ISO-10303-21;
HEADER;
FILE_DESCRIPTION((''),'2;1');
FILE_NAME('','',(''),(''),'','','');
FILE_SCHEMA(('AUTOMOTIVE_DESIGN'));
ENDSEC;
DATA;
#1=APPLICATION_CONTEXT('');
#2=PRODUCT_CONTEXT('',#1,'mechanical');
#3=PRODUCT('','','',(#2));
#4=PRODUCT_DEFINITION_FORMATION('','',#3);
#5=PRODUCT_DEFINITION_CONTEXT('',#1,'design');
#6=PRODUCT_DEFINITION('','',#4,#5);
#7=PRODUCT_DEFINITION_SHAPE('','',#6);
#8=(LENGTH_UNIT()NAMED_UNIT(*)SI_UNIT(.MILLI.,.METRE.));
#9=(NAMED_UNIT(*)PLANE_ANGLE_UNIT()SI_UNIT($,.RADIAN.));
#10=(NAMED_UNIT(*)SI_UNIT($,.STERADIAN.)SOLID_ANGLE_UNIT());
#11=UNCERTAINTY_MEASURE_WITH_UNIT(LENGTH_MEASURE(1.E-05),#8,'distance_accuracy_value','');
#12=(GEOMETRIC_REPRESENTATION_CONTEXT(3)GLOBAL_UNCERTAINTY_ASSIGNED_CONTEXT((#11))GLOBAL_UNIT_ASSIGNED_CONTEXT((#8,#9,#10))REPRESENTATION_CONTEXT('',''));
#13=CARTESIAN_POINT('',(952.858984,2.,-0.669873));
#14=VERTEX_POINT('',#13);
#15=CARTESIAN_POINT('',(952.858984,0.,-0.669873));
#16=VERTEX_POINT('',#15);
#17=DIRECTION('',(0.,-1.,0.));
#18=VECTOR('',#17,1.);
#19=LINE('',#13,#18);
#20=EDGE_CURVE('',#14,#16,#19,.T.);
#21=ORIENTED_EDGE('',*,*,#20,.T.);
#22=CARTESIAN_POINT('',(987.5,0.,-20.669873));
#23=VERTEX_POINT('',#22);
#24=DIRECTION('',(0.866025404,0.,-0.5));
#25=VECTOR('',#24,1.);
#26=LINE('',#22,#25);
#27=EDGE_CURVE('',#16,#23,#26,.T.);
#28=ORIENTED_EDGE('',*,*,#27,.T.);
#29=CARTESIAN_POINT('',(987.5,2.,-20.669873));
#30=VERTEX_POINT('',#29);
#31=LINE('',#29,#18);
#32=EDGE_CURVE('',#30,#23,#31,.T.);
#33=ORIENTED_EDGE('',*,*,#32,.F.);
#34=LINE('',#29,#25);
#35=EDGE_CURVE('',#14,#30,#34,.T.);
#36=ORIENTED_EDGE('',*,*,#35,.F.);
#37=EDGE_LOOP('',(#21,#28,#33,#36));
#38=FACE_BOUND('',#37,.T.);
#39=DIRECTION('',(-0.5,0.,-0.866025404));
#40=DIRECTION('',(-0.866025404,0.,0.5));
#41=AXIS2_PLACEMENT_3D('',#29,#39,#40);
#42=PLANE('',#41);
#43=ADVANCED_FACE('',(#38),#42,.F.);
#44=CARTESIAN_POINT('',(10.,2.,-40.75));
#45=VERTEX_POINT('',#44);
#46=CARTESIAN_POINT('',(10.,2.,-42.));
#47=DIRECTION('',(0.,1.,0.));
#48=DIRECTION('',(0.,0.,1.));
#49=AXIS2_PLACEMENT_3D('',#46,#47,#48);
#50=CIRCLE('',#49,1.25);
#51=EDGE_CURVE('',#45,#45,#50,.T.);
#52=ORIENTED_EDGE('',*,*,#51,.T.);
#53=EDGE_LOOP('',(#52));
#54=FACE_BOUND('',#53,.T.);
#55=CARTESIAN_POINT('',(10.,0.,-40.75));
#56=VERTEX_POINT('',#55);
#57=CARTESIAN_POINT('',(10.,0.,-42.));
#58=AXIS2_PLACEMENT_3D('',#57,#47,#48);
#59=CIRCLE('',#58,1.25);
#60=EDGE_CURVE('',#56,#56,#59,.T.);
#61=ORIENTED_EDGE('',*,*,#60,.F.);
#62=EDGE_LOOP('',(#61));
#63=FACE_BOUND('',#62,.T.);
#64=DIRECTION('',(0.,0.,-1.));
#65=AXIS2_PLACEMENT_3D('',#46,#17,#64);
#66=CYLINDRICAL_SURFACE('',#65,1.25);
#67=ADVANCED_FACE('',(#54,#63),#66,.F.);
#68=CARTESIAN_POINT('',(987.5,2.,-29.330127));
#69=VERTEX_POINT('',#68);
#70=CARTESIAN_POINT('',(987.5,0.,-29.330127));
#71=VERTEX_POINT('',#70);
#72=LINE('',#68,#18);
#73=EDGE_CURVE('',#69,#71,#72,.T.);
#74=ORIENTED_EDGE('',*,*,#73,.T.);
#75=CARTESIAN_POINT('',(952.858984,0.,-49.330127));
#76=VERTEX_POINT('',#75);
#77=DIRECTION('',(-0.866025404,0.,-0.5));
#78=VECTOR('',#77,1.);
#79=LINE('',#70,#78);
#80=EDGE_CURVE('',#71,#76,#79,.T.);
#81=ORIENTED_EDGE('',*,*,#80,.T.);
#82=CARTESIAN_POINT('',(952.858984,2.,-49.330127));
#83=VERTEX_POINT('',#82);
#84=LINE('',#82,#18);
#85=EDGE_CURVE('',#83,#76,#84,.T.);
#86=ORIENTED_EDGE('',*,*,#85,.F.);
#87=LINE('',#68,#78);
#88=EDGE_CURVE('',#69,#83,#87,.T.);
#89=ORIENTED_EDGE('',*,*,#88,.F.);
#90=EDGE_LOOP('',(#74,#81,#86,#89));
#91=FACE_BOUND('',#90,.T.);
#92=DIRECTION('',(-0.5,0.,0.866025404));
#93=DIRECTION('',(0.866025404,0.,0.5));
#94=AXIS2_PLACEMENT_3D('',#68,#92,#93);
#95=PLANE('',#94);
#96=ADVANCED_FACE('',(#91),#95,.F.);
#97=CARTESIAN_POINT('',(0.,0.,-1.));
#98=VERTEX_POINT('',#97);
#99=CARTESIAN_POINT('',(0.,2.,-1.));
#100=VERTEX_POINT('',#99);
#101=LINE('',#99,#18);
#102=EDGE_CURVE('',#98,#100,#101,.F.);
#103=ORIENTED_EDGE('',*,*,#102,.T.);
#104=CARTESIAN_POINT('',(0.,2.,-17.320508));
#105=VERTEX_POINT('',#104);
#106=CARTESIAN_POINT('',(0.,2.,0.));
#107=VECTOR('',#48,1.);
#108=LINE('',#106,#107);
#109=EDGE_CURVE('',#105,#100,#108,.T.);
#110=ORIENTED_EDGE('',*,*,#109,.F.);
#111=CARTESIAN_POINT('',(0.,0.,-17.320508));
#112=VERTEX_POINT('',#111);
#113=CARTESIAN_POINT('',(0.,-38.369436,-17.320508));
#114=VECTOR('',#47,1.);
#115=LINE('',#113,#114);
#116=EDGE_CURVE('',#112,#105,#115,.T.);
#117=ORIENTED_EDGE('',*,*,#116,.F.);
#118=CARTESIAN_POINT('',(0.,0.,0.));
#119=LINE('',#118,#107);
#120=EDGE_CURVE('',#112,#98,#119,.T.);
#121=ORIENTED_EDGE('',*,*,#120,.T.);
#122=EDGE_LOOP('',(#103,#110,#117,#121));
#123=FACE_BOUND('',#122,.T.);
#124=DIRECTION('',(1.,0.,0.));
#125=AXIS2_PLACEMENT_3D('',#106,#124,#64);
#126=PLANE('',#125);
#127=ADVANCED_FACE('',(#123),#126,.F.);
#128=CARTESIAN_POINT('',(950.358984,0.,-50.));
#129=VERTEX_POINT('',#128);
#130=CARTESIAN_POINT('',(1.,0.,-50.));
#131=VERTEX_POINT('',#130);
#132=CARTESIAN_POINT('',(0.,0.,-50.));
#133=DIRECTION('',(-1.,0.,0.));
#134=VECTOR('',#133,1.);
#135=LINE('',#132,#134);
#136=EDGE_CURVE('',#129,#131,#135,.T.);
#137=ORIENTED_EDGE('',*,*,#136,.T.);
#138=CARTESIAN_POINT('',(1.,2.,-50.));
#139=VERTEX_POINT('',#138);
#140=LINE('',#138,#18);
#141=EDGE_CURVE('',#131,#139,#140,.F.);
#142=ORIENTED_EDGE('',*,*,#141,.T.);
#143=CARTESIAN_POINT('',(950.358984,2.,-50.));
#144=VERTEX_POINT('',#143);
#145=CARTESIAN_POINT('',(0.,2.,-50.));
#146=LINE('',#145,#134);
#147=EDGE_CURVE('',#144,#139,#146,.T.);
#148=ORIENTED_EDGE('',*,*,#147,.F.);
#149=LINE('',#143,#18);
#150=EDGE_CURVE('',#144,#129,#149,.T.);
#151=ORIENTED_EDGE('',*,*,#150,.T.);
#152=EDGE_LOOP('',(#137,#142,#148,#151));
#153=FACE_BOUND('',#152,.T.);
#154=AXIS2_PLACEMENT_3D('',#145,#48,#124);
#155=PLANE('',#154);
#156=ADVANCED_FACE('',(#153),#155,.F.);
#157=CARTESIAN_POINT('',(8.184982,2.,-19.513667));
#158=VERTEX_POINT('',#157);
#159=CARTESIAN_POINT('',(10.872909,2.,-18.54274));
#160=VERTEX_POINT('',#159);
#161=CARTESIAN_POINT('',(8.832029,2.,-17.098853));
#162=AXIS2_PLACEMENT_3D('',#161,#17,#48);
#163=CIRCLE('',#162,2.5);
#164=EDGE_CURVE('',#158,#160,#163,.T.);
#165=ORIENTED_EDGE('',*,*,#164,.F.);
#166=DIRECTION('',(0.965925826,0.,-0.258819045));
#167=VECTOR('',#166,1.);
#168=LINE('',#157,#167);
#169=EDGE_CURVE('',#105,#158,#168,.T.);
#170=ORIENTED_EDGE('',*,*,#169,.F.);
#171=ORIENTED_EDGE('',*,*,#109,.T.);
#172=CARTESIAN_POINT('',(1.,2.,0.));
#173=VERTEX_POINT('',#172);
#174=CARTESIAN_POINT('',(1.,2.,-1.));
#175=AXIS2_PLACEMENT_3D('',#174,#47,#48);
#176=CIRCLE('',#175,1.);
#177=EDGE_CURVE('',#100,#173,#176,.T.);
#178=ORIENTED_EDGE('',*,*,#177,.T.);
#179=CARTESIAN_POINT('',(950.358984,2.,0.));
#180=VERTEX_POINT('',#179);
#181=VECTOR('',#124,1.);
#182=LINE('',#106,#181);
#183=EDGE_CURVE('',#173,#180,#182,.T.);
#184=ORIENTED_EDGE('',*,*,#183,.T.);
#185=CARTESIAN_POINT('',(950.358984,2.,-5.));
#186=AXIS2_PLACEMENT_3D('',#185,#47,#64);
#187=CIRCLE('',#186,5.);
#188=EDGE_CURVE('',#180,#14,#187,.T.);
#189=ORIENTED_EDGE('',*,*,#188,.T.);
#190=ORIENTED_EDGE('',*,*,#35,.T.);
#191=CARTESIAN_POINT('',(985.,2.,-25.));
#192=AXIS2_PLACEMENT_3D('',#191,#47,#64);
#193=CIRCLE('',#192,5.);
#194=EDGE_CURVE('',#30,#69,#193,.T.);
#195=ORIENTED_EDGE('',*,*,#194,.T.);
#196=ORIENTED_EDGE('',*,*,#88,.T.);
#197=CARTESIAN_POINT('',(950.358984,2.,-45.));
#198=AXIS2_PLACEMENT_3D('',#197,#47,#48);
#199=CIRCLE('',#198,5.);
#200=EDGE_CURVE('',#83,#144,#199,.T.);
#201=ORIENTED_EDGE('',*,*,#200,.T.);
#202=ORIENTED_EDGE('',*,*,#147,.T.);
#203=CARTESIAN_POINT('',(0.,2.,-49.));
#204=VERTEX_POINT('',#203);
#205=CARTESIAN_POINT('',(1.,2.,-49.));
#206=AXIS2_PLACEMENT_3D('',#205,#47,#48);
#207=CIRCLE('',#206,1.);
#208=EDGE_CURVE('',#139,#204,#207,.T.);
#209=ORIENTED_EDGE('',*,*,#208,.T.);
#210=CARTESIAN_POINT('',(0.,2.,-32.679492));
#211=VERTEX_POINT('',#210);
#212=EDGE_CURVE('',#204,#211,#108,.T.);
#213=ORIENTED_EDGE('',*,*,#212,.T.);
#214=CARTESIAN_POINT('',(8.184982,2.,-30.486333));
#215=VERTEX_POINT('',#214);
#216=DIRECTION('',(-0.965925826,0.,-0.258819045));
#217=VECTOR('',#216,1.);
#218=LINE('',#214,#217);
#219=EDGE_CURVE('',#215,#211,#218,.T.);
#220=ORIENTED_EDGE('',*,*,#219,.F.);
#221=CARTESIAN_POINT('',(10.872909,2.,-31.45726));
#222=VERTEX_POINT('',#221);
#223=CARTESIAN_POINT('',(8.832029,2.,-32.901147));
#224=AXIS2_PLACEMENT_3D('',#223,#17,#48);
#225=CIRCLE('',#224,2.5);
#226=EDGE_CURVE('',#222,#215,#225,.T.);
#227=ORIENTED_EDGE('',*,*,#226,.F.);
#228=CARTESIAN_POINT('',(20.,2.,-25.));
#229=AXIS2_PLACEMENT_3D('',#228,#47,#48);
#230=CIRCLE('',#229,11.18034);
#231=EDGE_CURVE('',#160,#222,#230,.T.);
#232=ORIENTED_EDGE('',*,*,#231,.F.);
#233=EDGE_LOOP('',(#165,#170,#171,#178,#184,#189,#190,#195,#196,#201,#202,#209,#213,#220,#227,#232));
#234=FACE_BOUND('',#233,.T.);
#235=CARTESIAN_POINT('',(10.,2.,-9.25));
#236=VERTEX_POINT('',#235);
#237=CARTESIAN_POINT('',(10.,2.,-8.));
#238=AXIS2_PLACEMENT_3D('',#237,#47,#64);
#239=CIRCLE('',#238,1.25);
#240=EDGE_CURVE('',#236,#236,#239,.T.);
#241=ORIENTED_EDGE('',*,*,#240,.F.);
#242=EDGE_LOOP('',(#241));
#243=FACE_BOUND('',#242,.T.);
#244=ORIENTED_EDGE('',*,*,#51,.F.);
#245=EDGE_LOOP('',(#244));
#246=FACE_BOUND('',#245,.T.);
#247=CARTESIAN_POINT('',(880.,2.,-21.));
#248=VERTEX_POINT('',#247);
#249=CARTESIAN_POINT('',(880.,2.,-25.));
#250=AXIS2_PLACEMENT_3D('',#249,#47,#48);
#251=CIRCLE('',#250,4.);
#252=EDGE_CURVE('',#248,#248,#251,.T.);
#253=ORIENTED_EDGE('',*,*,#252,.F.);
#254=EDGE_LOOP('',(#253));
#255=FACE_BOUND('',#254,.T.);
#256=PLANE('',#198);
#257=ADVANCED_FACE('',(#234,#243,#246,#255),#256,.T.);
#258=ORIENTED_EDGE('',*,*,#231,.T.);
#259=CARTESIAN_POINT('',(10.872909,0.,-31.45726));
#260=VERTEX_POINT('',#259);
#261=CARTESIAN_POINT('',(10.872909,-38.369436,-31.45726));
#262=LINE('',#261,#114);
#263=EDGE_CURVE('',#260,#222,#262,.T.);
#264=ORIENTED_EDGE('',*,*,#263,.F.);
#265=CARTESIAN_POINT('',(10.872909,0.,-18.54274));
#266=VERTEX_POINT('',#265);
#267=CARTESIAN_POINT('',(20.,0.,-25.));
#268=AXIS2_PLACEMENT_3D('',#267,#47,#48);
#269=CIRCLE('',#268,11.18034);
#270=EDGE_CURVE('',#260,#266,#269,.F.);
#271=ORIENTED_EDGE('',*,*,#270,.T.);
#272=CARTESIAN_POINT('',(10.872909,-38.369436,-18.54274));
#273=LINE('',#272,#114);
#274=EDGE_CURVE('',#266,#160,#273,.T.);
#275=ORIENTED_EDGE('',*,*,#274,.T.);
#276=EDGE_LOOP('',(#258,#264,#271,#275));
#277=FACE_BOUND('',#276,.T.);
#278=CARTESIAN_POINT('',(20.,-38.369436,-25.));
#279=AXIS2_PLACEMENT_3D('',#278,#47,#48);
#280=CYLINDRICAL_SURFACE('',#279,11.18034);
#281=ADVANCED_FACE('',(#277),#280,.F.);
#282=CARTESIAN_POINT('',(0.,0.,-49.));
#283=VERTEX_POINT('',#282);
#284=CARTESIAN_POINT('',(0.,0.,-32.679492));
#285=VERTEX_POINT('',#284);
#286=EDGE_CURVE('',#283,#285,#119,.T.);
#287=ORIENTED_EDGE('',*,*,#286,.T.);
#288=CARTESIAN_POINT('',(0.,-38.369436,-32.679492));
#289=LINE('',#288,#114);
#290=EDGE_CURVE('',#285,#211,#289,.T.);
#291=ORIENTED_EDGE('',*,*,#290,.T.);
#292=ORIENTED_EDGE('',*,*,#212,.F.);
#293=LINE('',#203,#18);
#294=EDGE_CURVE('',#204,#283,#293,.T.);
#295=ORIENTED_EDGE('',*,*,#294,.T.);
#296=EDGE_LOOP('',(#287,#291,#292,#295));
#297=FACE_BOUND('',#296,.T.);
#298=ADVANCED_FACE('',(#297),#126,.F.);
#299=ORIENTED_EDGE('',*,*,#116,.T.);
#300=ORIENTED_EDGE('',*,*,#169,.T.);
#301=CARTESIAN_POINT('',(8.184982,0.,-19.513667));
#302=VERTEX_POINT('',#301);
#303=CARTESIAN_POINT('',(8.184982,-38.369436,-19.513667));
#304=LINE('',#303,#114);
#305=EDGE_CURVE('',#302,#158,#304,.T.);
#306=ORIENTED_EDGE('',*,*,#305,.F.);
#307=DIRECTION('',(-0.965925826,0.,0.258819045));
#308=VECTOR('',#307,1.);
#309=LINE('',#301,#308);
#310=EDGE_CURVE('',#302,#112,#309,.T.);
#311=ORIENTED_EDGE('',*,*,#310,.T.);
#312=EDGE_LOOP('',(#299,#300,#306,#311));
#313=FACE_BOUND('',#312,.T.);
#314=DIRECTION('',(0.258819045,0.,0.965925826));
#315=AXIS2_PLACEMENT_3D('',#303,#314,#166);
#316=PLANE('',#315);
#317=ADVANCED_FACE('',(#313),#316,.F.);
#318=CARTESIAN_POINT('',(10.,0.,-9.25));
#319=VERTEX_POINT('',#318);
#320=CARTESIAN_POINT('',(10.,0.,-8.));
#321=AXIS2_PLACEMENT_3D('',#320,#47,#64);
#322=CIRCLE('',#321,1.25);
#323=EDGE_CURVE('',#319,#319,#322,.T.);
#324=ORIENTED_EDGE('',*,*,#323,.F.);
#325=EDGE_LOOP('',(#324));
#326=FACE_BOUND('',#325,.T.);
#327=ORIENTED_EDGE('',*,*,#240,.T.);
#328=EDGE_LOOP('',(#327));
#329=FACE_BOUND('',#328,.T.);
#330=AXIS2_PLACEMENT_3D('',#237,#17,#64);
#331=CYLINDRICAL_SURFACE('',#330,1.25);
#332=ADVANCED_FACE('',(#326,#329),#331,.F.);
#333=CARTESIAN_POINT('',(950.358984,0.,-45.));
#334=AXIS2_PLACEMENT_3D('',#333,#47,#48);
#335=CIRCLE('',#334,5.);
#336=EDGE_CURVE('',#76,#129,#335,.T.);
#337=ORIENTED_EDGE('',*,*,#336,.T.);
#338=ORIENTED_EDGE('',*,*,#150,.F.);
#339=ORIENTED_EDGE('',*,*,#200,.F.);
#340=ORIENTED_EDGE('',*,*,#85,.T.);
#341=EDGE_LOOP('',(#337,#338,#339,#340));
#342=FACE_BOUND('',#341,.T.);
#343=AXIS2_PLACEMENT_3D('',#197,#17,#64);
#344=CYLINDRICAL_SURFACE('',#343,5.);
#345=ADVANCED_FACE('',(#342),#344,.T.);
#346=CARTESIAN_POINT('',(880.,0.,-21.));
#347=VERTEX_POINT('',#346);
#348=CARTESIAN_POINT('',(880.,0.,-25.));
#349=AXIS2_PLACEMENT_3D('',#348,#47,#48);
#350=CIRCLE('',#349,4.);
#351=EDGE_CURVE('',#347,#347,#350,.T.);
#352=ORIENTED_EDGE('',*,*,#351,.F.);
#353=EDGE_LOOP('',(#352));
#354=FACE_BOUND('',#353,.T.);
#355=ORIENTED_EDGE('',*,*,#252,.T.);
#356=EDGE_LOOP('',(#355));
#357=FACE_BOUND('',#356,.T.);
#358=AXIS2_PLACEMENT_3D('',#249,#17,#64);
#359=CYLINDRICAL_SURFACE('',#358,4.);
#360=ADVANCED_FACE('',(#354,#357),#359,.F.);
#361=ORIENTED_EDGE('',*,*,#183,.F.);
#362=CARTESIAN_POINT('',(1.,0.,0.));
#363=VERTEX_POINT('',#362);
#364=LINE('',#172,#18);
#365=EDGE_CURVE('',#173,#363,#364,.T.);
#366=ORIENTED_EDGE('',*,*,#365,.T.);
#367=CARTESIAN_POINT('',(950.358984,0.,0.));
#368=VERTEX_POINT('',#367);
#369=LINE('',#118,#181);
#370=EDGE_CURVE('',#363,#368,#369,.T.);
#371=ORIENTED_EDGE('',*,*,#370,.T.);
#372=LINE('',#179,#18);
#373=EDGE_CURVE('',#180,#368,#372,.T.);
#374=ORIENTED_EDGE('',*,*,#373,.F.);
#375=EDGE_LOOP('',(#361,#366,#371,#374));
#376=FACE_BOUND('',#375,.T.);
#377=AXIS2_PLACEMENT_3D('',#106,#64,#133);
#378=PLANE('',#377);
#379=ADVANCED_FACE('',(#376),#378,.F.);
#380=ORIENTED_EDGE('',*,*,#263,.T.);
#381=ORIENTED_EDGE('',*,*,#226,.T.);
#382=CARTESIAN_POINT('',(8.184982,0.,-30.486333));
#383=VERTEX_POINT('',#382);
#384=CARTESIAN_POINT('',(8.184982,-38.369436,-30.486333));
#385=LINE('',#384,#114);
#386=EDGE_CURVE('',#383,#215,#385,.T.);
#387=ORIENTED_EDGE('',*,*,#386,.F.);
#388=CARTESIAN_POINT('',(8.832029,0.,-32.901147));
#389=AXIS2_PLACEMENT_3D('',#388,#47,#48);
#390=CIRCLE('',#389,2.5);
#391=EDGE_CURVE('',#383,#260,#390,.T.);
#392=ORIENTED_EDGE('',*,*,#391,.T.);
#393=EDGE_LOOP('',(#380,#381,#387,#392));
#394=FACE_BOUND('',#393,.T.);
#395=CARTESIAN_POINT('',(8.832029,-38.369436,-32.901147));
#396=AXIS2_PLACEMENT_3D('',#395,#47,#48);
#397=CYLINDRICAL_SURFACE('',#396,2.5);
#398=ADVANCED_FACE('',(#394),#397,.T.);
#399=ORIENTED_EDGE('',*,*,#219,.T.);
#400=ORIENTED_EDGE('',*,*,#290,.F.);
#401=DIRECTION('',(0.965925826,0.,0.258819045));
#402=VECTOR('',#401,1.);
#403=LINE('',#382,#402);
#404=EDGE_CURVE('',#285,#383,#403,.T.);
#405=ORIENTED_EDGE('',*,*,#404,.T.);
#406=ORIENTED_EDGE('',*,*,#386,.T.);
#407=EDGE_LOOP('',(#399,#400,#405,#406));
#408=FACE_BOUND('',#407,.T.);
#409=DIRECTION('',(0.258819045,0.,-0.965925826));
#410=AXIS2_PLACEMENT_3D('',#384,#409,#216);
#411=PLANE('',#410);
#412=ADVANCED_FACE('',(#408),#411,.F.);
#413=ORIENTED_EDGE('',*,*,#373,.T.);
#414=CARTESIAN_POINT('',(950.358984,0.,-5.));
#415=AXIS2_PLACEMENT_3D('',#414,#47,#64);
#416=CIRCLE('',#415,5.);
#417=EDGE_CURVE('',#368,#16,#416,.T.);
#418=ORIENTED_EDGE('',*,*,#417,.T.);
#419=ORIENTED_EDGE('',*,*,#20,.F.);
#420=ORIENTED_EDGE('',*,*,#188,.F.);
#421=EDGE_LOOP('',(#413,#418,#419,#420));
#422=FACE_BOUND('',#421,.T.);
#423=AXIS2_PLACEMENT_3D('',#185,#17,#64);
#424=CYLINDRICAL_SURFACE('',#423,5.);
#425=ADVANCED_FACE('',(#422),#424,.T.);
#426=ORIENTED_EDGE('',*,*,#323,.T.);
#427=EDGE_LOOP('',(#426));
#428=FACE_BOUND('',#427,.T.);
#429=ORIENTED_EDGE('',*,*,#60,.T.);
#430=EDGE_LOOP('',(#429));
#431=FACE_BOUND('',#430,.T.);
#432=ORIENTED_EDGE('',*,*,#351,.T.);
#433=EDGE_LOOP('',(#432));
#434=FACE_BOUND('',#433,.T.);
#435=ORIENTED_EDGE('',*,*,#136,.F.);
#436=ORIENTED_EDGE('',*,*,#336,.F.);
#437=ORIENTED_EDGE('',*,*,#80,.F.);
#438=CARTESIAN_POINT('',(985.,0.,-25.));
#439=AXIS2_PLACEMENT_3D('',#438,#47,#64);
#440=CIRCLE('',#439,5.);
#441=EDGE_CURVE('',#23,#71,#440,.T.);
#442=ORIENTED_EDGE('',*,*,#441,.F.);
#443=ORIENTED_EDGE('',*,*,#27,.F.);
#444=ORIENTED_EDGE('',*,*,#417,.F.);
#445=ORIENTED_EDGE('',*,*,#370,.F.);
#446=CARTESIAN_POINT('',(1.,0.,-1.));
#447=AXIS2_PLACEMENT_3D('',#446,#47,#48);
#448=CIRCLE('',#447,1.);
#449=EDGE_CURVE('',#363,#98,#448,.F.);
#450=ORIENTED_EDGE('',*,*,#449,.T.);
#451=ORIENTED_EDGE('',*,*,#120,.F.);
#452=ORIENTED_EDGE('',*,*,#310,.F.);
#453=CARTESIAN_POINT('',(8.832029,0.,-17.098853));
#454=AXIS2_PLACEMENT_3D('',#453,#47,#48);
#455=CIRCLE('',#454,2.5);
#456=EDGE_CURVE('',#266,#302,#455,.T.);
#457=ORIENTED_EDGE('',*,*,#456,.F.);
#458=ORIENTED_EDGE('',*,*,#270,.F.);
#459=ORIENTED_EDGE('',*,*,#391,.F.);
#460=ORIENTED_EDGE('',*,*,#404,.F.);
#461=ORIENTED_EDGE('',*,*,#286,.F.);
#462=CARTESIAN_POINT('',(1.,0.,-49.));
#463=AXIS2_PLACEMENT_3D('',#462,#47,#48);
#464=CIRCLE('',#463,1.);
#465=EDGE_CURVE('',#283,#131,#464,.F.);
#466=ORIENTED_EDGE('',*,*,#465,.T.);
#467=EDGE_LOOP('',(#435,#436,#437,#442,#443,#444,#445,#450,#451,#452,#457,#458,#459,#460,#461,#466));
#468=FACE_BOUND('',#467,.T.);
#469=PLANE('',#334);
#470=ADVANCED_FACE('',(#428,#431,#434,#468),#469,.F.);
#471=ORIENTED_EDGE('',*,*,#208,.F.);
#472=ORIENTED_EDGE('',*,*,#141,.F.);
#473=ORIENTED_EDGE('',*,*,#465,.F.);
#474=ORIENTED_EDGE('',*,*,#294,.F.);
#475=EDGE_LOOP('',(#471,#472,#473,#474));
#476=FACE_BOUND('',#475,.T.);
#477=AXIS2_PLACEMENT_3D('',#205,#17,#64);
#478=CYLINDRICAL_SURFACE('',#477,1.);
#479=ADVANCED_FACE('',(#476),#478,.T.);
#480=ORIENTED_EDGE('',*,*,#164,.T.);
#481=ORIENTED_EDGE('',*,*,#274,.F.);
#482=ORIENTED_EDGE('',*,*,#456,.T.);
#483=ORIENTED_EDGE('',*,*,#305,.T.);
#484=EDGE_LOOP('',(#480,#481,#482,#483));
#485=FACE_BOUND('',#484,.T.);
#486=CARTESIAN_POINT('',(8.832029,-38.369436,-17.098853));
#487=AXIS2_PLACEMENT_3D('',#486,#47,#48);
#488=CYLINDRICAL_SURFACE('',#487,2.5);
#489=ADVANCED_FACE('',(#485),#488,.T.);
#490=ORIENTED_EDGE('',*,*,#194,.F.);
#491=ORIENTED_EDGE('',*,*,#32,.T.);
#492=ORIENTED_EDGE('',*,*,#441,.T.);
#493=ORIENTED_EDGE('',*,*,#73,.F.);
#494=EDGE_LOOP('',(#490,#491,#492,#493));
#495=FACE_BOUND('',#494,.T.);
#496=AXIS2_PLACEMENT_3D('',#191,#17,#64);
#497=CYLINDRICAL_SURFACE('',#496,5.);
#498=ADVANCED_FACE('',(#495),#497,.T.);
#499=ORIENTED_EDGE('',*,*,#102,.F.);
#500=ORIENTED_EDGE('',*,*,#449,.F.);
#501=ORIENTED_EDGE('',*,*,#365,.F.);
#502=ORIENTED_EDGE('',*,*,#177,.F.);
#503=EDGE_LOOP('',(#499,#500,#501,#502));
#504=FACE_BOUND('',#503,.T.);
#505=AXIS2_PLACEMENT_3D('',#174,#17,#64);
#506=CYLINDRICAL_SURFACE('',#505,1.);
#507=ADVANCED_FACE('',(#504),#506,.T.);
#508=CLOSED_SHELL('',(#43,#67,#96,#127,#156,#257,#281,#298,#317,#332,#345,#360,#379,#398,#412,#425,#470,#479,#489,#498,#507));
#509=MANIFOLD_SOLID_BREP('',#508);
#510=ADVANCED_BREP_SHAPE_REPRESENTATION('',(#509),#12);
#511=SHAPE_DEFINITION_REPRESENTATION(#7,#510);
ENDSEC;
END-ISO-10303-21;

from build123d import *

# Parameters (mm, degrees)
SKETCH1_R           = 4
SKETCH1_R_2         = 1.25
BOSS_EXTRUDE1_DEPTH = 2
FILLET1_R           = 1
CUT_EXTRUDE1_DEPTH  = 2


with BuildPart() as part:
    # Sketch1 → Boss-Extrude1 (new body)
    with BuildSketch(Plane(origin=(0, 0, 0), x_dir=(1, 0, 0), z_dir=(0, 1, 0))):
        with BuildLine():
            Line((987.5, 29.330127019), (952.858983849, 49.330127019))
            ThreePointArc((952.858983849, 49.330127019), (951.653079074, 49.829629131), (950.358983849, 50))
            Line((950.358983849, 50), (0, 50))
            Line((0, 50), (0, 0))
            Line((0, 0), (950.358983849, 0))
            ThreePointArc((950.358983849, 0), (951.653079074, 0.170370869), (952.858983849, 0.669872981))
            Line((952.858983849, 0.669872981), (987.5, 20.669872981))
            ThreePointArc((987.5, 20.669872981), (990, 25), (987.5, 29.330127019))
        make_face()
        with Locations((880, 25)):
            Circle(SKETCH1_R, mode=Mode.SUBTRACT)
        with Locations((10, 42)):
            Circle(SKETCH1_R_2, mode=Mode.SUBTRACT)
        with Locations((10, 8)):
            Circle(SKETCH1_R_2, mode=Mode.SUBTRACT)
    extrude(amount=BOSS_EXTRUDE1_DEPTH)

    # Fillet1
    fillet1_edges = [part.edges().sort_by_distance(p)[0] for p in [
        (0, 1, -50),
        (0, 1, 0),
    ]]
    fillet(fillet1_edges, radius=FILLET1_R)

    # Sketch2 → Cut-Extrude1 (cut)
    with BuildSketch(Plane(origin=(0, 2, 0), x_dir=(1, 0, 0), z_dir=(0, 1, 0))):
        with BuildLine():
            Line((8.184981615, 19.51366729), (0, 17.320508076))
            Line((0, 17.320508076), (0, 32.679491924))
            Line((0, 32.679491924), (8.184981615, 30.48633271))
            ThreePointArc((8.184981615, 30.48633271), (9.68136243, 30.549842721), (10.872908853, 31.457260037))
            ThreePointArc((10.872908853, 31.457260037), (31.180339887, 25), (10.872908853, 18.542739963))
            ThreePointArc((10.872908853, 18.542739963), (9.68136243, 19.450157279), (8.184981615, 19.51366729))
        make_face()
    extrude(amount=-CUT_EXTRUDE1_DEPTH, mode=Mode.SUBTRACT)


solid = part.part
